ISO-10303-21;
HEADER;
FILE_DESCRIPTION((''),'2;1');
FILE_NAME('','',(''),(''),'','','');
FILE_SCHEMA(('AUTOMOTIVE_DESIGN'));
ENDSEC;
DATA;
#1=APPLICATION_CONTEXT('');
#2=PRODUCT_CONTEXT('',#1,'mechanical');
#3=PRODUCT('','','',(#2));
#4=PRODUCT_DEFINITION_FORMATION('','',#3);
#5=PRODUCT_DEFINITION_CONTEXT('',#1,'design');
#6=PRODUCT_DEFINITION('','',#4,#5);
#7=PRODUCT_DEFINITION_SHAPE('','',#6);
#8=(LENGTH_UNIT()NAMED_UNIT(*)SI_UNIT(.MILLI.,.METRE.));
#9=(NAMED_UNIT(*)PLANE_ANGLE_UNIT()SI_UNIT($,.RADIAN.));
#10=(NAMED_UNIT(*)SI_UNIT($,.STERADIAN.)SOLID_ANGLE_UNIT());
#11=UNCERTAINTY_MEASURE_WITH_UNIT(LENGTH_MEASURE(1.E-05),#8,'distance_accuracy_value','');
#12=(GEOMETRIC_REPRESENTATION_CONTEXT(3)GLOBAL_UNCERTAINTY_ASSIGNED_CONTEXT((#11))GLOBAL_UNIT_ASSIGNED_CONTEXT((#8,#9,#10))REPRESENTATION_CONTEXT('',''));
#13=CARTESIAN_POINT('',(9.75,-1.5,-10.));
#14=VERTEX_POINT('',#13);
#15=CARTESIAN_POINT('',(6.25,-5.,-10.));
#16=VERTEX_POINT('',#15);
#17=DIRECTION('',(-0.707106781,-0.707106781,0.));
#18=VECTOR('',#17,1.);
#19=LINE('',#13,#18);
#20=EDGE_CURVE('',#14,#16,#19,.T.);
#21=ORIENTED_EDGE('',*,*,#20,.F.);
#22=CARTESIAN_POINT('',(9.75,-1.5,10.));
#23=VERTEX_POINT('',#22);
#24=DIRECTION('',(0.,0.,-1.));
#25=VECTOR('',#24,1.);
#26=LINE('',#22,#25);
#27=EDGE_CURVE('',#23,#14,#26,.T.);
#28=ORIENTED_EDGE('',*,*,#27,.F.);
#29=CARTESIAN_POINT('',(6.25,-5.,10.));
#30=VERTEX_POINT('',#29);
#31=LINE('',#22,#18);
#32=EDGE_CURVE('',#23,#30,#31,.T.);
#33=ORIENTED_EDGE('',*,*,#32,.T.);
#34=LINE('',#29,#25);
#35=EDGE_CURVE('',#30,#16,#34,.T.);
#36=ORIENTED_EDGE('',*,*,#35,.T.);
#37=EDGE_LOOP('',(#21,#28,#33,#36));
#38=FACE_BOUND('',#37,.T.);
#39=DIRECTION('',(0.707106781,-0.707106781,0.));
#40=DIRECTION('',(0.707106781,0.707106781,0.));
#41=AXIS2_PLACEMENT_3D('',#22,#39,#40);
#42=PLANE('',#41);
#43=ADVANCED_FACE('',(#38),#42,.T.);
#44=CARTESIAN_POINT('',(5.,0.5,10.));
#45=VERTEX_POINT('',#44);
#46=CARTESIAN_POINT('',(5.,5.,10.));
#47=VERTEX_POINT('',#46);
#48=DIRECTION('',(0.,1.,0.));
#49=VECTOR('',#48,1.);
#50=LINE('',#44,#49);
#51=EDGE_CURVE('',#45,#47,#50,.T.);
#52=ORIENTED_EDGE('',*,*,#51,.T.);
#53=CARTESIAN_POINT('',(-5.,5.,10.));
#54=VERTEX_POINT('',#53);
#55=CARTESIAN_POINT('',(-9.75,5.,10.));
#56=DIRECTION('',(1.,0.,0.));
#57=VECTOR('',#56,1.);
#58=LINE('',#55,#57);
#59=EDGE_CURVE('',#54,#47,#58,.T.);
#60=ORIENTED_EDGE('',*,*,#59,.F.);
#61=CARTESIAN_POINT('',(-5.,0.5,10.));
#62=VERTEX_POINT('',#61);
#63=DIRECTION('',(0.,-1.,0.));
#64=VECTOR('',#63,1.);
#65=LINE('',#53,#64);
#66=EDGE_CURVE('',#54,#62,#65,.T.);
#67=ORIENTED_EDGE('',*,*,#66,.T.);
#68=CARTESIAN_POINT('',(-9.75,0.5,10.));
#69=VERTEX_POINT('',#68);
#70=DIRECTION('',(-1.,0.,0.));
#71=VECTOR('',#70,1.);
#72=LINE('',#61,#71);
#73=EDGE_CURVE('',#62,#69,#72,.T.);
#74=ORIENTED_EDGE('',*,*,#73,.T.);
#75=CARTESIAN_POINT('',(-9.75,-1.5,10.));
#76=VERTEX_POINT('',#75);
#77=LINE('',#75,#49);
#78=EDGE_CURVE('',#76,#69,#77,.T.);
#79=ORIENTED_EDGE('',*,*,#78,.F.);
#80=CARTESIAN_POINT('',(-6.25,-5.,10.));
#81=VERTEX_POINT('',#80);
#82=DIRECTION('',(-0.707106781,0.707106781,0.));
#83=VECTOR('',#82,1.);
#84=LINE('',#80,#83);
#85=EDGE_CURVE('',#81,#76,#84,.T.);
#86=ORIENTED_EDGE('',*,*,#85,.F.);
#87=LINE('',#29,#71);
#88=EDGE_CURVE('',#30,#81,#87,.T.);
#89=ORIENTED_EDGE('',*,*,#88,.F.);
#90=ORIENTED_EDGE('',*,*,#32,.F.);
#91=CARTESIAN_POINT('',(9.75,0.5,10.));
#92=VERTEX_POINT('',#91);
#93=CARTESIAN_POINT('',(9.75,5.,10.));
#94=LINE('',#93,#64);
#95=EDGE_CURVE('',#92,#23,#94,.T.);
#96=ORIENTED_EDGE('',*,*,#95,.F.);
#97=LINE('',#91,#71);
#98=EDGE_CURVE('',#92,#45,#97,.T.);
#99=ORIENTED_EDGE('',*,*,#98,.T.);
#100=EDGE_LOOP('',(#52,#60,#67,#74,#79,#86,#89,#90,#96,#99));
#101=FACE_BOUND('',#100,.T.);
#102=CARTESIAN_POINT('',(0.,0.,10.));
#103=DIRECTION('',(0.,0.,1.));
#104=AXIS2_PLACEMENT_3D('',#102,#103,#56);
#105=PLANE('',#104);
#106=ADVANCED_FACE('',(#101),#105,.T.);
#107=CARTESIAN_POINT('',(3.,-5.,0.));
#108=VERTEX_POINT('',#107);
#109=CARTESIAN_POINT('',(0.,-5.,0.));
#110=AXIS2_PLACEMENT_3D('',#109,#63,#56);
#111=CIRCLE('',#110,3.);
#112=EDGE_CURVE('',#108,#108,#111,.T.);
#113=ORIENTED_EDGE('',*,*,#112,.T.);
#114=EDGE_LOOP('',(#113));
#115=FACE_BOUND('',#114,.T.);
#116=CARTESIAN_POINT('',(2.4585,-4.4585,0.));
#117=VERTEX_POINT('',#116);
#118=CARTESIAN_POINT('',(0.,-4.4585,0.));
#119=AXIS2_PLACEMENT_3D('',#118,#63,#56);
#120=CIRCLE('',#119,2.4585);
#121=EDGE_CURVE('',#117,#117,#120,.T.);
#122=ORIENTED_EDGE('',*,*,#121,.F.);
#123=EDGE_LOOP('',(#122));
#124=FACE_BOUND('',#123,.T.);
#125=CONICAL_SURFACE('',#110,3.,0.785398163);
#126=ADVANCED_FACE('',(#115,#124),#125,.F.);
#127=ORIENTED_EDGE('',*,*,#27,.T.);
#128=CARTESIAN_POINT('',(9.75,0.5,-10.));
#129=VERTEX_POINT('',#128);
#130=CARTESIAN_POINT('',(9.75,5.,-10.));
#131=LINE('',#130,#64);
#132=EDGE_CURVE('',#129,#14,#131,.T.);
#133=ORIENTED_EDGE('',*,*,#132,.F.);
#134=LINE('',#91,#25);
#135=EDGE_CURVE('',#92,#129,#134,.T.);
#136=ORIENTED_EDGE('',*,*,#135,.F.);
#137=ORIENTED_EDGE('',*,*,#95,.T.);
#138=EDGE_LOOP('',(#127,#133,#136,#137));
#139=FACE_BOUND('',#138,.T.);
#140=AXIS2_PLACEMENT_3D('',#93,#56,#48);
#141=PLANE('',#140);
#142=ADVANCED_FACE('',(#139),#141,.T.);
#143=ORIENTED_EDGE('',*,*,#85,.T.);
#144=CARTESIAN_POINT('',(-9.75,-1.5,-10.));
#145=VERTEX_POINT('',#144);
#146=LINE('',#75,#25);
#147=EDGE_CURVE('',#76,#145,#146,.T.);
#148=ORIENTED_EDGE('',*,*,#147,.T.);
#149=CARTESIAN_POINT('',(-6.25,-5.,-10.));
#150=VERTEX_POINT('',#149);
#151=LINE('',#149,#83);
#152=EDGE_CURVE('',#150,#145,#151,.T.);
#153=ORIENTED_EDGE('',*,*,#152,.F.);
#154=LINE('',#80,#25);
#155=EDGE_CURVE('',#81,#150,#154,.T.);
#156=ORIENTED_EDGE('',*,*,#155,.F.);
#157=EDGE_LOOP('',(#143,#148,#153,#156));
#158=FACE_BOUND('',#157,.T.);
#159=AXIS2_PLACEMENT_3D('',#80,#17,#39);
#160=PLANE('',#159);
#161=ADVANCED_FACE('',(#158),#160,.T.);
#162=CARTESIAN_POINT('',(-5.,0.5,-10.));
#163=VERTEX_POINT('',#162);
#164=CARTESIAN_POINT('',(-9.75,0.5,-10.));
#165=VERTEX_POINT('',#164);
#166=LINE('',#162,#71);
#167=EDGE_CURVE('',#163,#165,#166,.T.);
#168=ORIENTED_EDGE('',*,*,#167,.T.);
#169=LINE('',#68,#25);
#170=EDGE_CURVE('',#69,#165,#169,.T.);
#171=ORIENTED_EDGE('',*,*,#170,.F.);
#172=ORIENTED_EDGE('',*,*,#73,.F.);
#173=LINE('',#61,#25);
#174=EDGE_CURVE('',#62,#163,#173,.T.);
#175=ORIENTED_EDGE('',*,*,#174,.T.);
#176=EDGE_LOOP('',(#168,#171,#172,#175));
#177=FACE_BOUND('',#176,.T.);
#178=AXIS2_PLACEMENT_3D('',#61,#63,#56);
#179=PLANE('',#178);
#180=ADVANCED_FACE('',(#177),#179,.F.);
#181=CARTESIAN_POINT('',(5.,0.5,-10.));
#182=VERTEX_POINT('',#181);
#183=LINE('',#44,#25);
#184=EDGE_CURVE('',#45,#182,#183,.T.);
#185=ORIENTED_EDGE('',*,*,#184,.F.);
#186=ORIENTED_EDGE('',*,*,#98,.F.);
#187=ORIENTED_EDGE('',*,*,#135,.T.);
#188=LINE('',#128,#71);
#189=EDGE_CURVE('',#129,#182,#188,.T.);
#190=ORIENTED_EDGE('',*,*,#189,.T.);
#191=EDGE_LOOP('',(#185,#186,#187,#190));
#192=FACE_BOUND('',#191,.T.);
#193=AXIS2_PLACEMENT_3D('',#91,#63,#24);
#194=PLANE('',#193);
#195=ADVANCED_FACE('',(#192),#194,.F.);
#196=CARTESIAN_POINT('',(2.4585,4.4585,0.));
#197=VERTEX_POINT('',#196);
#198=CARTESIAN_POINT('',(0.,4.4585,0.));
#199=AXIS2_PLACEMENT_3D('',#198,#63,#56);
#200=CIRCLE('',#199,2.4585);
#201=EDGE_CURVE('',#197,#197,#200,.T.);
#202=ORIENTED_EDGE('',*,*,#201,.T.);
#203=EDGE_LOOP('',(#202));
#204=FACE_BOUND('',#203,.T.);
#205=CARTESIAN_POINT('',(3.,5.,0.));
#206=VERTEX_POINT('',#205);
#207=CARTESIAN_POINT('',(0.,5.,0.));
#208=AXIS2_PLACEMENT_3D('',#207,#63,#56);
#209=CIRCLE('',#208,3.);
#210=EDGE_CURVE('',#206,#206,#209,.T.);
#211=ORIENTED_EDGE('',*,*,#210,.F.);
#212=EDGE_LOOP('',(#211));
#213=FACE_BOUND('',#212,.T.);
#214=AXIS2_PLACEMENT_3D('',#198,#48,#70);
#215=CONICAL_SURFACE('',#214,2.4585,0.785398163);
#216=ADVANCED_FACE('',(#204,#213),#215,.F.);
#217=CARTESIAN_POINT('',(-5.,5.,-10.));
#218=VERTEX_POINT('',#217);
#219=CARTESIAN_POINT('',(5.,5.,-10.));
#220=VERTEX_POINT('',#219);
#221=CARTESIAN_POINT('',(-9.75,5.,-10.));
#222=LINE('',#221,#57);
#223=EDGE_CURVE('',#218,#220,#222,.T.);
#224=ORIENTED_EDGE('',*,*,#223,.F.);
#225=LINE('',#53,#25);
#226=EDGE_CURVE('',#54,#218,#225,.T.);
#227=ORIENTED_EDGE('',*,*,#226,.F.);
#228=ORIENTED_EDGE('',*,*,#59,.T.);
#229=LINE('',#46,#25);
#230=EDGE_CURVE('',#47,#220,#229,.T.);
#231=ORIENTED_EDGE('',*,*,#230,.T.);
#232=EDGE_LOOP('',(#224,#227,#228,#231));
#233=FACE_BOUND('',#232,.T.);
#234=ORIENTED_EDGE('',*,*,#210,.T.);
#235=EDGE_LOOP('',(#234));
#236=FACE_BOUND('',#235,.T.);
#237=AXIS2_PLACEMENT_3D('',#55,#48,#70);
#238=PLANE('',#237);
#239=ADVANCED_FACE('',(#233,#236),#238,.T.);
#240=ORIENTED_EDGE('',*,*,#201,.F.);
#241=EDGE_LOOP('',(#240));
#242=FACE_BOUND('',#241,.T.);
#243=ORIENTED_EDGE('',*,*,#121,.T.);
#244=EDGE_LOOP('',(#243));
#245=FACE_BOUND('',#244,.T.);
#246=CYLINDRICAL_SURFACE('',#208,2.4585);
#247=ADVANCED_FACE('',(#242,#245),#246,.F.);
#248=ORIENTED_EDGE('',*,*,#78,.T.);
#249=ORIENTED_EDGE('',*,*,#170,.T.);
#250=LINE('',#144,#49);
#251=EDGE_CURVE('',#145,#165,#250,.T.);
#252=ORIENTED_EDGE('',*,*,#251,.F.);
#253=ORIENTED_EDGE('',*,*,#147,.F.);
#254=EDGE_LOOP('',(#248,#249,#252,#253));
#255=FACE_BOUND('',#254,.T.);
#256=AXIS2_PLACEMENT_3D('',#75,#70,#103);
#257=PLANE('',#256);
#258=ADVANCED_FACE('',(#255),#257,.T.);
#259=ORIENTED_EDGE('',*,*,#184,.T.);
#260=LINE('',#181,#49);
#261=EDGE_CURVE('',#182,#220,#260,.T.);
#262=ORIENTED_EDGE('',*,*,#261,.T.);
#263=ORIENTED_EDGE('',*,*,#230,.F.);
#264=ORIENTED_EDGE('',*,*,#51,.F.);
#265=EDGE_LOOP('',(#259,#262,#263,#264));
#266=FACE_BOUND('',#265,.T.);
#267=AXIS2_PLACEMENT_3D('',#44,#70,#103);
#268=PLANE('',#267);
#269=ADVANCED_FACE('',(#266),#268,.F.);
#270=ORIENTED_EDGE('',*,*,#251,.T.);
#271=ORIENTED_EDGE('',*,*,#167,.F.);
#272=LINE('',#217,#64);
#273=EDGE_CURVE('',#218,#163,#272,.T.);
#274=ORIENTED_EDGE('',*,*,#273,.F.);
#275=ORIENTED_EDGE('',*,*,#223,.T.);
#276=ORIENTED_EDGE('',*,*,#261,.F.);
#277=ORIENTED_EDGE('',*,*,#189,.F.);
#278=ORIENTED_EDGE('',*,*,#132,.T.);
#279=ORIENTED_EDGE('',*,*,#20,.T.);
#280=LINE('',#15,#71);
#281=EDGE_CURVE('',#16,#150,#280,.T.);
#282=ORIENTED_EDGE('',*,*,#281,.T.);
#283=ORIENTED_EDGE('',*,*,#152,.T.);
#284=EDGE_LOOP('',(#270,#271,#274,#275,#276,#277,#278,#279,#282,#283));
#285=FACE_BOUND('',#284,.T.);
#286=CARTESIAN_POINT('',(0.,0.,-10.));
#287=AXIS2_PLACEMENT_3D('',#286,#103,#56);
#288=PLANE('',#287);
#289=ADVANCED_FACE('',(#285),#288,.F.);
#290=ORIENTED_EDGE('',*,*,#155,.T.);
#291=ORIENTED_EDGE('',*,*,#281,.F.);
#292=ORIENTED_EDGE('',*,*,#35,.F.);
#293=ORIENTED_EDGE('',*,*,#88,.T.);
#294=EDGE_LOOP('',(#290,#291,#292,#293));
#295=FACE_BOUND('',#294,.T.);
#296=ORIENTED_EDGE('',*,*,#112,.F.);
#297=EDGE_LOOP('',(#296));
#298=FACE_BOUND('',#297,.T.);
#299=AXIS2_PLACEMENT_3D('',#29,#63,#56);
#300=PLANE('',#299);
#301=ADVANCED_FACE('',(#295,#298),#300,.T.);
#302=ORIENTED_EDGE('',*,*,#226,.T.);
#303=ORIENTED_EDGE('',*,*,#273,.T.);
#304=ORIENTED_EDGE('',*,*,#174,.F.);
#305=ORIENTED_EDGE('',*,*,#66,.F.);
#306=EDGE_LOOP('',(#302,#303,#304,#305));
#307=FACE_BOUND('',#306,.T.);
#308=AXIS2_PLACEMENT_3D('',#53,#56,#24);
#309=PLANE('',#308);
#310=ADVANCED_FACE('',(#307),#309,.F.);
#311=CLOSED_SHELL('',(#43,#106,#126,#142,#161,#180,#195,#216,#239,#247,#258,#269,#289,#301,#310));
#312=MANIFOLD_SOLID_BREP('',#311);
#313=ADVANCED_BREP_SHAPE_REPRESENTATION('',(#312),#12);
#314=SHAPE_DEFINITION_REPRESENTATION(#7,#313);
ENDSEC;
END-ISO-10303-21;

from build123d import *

# Parameters (mm, degrees)
BOSS_EXTRU_1_DEPTH      = 20
ESQUISSE2_W             = 4.75
ESQUISSE2_H             = 4.5
ENL_V_MAT_EXTRU_1_DEPTH = 21
ESQUISSE3_W             = 4.75
ESQUISSE3_H             = 4.5
ENL_V_MAT_EXTRU_2_DEPTH = 21


with BuildPart() as part:
    # Esquisse1 → Boss.-Extru.1 (new body)
    with BuildSketch(Plane(origin=(0, 0, -10), x_dir=(-1, 0, 0), z_dir=(0, 0, -1))):
        Polygon((9.75, -1.5), (9.75, 5), (-9.75, 5), (-9.75, -1.5), (-6.25, -5), (6.25, -5), align=None)
    extrude(amount=-BOSS_EXTRU_1_DEPTH)

    # Esquisse2 → Enlèv. mat.-Extru.1 (cut, through all)
    with BuildSketch(Plane(origin=(0, 0, -10), x_dir=(-1, 0, 0), z_dir=(0, 0, -1))):
        with Locations((-7.375, 2.75)):
            Rectangle(ESQUISSE2_W, ESQUISSE2_H)
    extrude(amount=-ENL_V_MAT_EXTRU_1_DEPTH, mode=Mode.SUBTRACT)

    # Esquisse3 → Enlèv. mat.-Extru.2 (cut, through all)
    with BuildSketch(Plane(origin=(0, 0, -10), x_dir=(-1, 0, 0), z_dir=(0, 0, -1))):
        with Locations((7.375, 2.75)):
            Rectangle(ESQUISSE3_W, ESQUISSE3_H)
    extrude(amount=-ENL_V_MAT_EXTRU_2_DEPTH, mode=Mode.SUBTRACT)

    # Esquisse4 → Enlèvement de matière-Révolution1 (revolve, cut)
    with BuildSketch(Plane.XY):
        Polygon((3, 5), (0, 5), (0, -5), (3, -5), (2.4585, -4.4585), (2.4585, 4.4585), align=None)
    revolve(axis=Axis((0, 5, 0), (0, -1, 0)), mode=Mode.SUBTRACT)


solid = part.part
